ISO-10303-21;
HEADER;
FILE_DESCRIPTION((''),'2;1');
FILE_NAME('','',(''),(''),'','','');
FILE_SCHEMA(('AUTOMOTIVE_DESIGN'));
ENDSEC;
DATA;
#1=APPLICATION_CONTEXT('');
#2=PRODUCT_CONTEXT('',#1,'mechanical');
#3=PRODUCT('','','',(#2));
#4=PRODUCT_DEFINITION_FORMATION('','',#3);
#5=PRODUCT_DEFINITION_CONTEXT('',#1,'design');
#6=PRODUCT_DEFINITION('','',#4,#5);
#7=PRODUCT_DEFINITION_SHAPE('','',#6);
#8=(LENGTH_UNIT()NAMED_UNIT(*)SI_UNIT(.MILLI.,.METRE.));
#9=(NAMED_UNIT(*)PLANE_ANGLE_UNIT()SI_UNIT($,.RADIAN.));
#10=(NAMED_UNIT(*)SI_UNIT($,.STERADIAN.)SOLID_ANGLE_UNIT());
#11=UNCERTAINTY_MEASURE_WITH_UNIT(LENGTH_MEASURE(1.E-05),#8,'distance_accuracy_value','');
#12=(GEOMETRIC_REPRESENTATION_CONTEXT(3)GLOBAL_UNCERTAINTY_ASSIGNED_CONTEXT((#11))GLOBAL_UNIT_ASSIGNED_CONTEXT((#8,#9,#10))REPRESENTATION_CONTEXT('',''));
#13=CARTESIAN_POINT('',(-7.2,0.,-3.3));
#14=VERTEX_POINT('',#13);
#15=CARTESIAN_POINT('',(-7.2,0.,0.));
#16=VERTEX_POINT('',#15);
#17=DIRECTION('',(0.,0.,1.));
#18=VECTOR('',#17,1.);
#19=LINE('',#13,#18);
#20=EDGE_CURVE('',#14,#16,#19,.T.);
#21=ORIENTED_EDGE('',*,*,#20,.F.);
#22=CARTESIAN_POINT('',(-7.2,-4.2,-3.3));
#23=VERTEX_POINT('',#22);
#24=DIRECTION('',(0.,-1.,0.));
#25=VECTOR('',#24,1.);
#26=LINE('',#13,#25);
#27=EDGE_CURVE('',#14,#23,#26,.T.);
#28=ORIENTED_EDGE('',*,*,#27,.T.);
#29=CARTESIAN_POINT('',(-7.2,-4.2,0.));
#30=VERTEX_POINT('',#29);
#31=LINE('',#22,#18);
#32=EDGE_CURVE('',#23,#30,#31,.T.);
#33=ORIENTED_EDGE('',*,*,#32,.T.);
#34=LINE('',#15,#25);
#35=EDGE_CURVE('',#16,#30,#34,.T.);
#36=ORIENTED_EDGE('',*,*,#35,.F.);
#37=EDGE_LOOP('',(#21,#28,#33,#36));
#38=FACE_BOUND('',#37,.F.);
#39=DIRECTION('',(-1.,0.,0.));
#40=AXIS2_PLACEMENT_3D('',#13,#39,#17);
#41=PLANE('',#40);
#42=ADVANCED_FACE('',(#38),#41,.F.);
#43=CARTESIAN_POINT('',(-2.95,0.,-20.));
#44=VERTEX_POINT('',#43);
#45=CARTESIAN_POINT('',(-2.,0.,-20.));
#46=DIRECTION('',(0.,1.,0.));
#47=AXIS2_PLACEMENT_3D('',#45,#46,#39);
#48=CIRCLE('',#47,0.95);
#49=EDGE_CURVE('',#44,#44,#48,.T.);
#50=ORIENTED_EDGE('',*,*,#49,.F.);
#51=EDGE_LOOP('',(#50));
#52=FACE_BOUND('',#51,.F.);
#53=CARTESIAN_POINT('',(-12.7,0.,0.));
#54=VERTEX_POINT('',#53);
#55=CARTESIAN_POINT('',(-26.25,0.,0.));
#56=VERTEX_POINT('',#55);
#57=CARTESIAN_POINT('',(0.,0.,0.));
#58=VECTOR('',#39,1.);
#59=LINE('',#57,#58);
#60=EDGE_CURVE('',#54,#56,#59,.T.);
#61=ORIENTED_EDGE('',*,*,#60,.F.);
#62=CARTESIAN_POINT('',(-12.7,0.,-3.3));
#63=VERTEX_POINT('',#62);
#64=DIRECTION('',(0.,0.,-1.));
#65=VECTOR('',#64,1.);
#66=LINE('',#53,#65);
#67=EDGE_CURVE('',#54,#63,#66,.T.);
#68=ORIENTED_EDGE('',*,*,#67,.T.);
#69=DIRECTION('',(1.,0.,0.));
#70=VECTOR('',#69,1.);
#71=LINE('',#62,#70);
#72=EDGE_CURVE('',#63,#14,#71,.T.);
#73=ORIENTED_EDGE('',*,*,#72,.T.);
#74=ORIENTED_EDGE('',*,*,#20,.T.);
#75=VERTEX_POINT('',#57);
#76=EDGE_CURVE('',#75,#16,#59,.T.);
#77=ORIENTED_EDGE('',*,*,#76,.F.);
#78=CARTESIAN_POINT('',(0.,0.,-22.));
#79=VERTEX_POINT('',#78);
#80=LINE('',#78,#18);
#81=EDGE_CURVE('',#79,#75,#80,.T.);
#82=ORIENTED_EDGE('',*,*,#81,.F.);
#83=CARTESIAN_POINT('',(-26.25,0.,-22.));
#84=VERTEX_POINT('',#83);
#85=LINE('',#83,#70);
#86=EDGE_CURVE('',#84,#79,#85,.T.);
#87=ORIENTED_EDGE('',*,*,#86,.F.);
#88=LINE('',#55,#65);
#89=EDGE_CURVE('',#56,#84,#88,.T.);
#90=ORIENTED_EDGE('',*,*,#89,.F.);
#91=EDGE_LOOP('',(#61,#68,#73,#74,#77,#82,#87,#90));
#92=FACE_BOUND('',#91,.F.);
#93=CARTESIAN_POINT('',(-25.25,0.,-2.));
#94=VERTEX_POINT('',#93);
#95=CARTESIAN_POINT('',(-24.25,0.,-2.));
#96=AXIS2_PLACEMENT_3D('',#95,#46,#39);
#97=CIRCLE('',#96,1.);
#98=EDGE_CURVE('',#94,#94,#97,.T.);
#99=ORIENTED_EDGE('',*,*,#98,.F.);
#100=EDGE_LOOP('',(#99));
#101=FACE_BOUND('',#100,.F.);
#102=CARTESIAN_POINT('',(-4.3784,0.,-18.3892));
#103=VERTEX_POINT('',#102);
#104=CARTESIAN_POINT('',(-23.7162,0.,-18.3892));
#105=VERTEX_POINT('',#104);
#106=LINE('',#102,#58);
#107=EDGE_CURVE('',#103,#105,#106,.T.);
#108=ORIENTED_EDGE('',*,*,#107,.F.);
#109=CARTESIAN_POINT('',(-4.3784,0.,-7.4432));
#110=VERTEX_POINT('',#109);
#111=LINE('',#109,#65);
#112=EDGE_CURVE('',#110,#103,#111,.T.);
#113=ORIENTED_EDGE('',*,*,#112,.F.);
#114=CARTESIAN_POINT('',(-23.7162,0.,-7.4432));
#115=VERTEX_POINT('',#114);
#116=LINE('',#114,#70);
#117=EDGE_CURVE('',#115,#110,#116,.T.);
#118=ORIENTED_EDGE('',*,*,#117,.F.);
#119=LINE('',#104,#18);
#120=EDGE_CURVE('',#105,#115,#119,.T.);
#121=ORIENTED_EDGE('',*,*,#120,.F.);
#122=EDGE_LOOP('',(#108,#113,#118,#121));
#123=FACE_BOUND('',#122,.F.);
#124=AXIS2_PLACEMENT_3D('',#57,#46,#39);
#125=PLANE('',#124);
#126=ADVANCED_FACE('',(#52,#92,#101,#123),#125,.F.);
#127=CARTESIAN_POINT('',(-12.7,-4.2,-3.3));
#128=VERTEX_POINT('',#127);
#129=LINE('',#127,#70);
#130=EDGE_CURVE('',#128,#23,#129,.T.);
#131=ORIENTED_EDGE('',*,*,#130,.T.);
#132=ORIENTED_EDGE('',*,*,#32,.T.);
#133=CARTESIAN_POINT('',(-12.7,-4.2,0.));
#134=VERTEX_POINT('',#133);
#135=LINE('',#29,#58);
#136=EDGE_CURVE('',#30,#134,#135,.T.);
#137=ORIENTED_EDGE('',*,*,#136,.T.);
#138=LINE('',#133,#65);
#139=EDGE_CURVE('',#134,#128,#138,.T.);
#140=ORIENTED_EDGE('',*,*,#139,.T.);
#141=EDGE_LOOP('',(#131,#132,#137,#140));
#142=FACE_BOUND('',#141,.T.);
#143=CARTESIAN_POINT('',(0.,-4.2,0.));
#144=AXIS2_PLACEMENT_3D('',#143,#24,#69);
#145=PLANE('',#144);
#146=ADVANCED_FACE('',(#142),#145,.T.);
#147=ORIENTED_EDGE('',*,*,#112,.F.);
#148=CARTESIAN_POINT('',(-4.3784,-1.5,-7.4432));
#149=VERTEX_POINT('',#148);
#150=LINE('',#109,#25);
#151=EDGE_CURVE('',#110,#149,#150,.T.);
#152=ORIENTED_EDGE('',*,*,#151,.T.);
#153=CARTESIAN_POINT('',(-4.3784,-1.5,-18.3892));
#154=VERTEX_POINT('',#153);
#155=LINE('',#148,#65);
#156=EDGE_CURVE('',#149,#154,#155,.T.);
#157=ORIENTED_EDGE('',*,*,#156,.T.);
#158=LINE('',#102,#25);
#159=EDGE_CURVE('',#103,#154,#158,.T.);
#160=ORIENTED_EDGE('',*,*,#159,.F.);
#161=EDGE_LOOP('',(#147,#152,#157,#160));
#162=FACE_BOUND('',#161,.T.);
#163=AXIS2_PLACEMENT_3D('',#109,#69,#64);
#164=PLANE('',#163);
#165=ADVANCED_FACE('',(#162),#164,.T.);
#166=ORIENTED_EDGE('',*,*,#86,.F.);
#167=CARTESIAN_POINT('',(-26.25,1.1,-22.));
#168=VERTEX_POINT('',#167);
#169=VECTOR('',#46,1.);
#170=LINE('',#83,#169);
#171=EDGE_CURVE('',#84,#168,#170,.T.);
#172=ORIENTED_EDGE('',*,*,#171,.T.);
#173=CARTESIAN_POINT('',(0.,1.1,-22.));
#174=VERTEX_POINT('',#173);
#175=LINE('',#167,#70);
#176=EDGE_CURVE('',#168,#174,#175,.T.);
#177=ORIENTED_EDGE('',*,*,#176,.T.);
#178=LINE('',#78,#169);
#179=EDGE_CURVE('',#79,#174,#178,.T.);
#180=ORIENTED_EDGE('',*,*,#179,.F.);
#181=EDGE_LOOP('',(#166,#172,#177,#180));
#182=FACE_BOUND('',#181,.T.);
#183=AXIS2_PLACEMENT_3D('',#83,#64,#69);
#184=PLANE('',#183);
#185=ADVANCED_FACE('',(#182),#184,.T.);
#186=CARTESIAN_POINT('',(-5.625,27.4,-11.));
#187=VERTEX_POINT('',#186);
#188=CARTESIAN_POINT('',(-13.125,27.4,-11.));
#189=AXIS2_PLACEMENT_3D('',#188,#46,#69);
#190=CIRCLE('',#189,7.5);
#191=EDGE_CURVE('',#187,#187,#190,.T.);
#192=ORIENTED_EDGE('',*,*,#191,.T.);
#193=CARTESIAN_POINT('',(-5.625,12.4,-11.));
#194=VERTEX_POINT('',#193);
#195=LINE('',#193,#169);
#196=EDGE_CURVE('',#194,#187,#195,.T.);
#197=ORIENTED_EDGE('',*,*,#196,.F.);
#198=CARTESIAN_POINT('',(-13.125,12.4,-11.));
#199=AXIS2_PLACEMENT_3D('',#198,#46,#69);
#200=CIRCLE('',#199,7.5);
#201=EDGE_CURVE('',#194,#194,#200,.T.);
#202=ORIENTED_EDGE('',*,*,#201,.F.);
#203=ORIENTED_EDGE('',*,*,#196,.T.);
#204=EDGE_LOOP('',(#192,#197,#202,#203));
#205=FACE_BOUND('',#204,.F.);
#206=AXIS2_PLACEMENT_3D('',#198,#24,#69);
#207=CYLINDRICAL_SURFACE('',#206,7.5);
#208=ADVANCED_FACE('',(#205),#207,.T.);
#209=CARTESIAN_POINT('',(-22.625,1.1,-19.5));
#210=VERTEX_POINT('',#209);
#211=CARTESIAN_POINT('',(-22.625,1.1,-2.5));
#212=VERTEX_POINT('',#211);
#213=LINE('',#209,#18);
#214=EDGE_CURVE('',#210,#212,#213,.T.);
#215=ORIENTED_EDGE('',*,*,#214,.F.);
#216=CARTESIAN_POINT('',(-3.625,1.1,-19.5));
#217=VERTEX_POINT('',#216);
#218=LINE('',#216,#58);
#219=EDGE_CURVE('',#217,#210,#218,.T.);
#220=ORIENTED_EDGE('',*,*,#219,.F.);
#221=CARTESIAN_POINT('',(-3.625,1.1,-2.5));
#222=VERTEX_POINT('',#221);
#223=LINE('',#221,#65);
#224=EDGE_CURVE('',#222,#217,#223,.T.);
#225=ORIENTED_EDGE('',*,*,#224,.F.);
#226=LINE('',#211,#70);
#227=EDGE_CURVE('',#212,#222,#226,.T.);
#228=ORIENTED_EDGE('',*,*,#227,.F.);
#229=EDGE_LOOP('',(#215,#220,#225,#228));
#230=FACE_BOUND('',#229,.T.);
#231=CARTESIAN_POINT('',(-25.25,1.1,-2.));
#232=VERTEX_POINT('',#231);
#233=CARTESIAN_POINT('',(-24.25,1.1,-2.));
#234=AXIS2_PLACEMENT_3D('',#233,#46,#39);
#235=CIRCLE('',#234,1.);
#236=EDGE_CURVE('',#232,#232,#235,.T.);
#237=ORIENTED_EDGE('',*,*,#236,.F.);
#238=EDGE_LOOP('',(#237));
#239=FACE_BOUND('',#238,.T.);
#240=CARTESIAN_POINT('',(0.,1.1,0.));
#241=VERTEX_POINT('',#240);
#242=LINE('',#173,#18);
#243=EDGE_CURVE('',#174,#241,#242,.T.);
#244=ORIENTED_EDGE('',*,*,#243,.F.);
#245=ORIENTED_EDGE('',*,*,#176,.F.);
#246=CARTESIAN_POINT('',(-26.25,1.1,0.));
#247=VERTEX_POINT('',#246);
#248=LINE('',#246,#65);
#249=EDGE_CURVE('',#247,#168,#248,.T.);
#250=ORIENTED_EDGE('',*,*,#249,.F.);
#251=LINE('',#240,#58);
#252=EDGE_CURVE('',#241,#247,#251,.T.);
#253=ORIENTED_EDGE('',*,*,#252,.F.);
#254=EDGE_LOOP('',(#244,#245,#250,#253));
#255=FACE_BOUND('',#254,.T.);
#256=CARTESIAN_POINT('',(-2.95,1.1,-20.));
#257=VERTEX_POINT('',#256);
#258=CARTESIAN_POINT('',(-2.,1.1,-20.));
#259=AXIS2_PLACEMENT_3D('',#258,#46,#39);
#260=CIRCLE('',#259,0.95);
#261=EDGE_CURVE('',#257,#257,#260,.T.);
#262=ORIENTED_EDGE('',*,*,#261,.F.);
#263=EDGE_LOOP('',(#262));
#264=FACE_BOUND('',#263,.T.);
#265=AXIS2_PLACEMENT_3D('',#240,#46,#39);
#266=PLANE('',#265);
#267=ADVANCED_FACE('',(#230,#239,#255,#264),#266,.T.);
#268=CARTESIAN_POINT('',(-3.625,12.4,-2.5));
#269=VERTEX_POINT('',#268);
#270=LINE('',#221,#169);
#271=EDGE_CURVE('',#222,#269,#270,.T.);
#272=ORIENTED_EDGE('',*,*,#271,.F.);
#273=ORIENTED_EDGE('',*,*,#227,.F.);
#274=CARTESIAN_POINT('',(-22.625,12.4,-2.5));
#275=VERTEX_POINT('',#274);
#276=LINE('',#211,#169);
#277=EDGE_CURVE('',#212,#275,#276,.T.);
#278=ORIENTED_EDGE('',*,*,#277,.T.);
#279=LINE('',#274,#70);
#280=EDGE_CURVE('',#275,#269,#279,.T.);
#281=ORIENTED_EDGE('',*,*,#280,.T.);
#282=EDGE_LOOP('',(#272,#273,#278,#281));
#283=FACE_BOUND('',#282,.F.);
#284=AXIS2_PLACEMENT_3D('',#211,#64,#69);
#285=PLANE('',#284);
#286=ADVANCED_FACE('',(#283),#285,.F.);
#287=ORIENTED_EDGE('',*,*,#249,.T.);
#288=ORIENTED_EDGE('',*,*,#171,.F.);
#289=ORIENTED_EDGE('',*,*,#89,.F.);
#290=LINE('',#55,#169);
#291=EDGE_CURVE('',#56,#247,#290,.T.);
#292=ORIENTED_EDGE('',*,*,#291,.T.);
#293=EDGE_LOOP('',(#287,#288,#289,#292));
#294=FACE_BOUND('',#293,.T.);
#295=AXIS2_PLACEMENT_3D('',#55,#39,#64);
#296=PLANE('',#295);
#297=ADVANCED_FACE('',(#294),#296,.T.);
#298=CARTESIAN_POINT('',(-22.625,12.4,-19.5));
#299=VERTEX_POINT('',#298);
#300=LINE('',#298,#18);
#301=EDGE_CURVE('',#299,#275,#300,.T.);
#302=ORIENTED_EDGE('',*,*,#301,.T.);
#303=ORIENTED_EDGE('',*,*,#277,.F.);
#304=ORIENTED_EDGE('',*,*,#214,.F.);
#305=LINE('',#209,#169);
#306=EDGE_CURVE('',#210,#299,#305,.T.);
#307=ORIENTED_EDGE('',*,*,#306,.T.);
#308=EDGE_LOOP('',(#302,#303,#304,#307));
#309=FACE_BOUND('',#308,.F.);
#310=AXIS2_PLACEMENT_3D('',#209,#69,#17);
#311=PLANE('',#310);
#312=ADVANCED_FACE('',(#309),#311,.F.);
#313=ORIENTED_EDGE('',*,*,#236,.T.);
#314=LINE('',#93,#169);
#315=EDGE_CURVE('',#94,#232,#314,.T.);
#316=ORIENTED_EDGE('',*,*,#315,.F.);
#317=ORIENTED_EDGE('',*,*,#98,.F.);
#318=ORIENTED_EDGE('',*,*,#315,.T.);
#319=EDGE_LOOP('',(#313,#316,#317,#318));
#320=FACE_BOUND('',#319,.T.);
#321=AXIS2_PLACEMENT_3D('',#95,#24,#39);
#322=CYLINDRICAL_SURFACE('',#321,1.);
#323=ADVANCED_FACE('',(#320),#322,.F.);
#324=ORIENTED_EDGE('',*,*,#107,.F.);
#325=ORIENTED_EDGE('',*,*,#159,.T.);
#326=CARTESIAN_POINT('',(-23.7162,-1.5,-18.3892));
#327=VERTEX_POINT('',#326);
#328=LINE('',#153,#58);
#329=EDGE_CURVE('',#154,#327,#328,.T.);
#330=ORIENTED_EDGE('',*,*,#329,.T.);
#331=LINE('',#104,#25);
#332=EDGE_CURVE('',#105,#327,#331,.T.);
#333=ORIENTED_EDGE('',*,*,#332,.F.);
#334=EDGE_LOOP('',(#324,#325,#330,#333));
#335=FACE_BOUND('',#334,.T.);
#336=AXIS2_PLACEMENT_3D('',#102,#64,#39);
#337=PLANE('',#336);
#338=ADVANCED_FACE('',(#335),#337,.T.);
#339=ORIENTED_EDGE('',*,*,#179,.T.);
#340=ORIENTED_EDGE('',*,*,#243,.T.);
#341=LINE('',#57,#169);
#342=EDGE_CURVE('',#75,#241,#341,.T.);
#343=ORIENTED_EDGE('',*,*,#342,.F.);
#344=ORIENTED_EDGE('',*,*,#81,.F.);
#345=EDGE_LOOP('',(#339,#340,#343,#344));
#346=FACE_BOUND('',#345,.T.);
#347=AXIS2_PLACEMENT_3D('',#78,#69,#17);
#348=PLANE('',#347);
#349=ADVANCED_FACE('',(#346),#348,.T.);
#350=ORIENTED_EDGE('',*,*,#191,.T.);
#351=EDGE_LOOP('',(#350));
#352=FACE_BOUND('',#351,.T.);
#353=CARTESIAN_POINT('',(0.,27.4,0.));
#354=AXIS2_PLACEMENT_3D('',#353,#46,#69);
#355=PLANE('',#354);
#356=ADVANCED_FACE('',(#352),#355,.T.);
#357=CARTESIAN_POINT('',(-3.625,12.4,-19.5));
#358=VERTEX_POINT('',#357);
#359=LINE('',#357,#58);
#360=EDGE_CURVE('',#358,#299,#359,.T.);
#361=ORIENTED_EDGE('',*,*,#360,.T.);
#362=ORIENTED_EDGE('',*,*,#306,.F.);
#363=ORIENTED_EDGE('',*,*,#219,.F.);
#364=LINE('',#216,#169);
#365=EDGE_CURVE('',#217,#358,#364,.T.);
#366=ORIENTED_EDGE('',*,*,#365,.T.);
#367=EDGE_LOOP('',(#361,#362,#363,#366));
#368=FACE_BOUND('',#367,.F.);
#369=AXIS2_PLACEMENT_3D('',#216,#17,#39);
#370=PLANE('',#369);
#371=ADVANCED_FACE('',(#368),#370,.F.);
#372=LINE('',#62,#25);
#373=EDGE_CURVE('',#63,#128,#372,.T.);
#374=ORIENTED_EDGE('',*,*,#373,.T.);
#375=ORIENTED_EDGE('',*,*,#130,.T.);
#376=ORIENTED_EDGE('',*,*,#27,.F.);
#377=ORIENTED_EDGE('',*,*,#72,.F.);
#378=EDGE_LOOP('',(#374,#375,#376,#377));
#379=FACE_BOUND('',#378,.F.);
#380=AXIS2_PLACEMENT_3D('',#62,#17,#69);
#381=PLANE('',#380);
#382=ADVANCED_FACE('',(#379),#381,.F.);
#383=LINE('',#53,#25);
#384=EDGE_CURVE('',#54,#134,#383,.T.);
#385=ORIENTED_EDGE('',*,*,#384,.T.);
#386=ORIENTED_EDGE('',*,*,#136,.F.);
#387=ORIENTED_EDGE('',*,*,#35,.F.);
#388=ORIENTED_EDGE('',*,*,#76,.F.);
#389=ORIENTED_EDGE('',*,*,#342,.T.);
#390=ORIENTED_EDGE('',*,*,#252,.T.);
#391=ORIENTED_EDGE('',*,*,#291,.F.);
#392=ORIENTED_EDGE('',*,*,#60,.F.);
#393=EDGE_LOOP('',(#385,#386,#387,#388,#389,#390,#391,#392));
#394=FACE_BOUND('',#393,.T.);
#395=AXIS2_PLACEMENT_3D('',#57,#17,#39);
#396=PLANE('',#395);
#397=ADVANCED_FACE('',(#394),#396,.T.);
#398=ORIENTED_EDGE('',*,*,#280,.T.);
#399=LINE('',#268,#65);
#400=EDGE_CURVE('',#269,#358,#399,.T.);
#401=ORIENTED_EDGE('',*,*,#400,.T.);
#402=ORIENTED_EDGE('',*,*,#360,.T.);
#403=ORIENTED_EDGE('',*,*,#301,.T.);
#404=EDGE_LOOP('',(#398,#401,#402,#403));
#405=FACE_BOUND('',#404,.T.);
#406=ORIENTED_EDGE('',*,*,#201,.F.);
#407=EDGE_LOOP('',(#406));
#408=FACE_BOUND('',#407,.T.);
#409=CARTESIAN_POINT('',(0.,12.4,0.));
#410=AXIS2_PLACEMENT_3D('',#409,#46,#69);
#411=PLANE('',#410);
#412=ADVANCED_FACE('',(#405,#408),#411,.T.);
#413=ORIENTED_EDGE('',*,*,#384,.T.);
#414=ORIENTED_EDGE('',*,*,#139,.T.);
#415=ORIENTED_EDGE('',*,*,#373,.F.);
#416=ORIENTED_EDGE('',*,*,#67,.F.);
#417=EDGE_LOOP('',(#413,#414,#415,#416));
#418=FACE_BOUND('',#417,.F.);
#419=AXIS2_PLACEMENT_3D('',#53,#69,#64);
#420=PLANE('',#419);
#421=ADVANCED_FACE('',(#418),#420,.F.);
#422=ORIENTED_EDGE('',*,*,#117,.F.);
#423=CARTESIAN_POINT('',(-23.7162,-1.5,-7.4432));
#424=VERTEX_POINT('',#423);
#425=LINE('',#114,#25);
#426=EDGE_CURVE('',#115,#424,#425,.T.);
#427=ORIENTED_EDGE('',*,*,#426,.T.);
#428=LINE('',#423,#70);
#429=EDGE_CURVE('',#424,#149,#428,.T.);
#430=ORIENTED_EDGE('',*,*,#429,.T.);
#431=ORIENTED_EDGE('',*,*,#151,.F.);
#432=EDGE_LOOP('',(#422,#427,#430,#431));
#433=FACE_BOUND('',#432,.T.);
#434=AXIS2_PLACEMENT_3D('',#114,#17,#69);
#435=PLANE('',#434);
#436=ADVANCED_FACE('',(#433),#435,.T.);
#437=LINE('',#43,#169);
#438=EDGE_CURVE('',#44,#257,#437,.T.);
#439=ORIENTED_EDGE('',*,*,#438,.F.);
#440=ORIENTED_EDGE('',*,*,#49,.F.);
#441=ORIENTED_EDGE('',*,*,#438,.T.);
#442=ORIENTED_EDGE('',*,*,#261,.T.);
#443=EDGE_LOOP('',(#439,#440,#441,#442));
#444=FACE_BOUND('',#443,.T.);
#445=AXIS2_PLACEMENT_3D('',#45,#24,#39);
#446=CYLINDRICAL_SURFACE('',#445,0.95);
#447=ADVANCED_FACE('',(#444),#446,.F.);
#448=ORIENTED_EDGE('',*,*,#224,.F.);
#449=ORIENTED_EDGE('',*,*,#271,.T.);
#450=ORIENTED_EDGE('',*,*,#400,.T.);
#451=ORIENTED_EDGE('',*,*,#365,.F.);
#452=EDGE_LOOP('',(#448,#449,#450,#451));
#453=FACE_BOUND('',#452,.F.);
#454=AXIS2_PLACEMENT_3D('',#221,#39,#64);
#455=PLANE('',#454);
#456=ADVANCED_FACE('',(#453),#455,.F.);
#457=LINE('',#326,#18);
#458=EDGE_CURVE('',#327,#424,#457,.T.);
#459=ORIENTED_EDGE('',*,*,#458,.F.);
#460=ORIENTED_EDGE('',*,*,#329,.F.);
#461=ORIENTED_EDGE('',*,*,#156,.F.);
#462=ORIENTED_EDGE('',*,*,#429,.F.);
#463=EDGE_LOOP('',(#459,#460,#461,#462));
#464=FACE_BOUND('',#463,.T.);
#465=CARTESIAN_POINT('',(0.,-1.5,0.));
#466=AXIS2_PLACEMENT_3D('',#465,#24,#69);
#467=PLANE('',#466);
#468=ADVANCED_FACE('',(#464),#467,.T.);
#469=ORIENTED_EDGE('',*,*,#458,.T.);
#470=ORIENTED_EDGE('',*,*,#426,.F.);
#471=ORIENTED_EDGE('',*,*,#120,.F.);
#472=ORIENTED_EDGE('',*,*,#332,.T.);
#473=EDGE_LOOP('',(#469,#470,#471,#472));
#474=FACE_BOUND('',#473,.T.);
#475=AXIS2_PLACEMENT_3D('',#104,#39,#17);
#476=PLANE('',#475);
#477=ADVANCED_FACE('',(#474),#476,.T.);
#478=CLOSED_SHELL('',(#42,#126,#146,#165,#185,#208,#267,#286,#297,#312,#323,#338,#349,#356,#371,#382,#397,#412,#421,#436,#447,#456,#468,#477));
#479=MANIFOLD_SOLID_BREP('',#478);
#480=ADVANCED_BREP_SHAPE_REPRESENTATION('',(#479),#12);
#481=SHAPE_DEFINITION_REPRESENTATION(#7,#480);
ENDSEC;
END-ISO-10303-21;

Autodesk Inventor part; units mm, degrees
ref_plane "YZ Plane" through (0, 0, 0) normal (1, 0, 0) x (0, 1, 0)
ref_plane "XZ Plane" through (0, 0, 0) normal (0, 1, 0) x (-1, 0, 0)
ref_plane "XY Plane" through (0, 0, 0) normal (0, 0, 1) x (1, 0, 0)
sketch "Sketch1" plane through (0, 0, 0) normal (0, 1, 0) x (-1, 0, 0)
  line L0 (0, 0) -> (26.25, 0)
  line L1 (26.25, 0) -> (26.25, -22)
  line L2 (26.25, -22) -> (0, -22)
  line L3 (0, -22) -> (0, 0)
  circle A0 centre (2, -20) radius 0.95
  circle A1 centre (24.25, -2) radius 1
  dimension "d0" = 26.25
  dimension "d1" = 22
  dimension "d3" = 1.9
  dimension "d6" = 2
  dimension "d18" = 2
  dimension "d19" = 2
  dimension "d20" = 2
  dimension "d21" = 2
extrude "Extrusion1" add sketch "Sketch1" along normal blind 1.1
sketch "Sketch2" plane through (0, 1.1, 0) normal (0, 1, 0) x (1, 0, 0)
  line L0 (0, 22) -> (-26.25, 22) projected
  line L1 (0, 0) -> (0, 22) projected
  line L2 (-22.625, 2.5) -> (-3.625, 2.5)
  line L3 (-3.625, 2.5) -> (-3.625, 19.5)
  line L4 (-3.625, 19.5) -> (-22.625, 19.5)
  line L5 (-22.625, 19.5) -> (-22.625, 2.5)
  line L6 (-22.625, 2.5) -> (-3.625, 19.5) construction
  line L7 (-3.625, 2.5) -> (-22.625, 19.5) construction
  point P0 (-13.125, 22)
  point P1 (0, 11)
  point P2 (-13.125, 11)
  point P3 (0, 11)
  point P4 (-13.125, 11)
  point P5 (-13.125, 22)
  point P6 (-13.125, 11)
  dimension "d11" = 19
  dimension "d12" = 17
extrude "Extrusion2" add sketch "Sketch2" along normal blind 11.3
sketch "Sketch3" plane through (0, 12.4, 0) normal (0, 1, 0) x (1, 0, 0)
  line L0 (-3.625, 2.5) -> (-3.625, 19.5) construction
  line L1 (-3.625, 19.5) -> (-22.625, 19.5) construction
  line L2 (-22.625, 19.5) -> (-22.625, 2.5) construction
  line L3 (-22.625, 2.5) -> (-3.625, 2.5) construction
  line L4 (-3.625, 19.5) -> (-3.625, 2.5) construction
  circle A0 centre (-13.125, 11) radius 7.5
  point P0 (0, 0)
  point P1 (-13.125, 19.5)
  point P2 (-3.625, 11)
  dimension "d15" = 15
extrude "Extrusion3" add sketch "Sketch3" along normal blind 15
sketch "Sketch4" plane through (0, 0, 0) normal (0, -1, 0) x (1, 0, 0)
  line L0 (-7.2, 0) -> (-12.7, 0)
  line L1 (-12.7, 0) -> (-12.7, -3.3)
  line L2 (-12.7, -3.3) -> (-7.2, -3.3)
  line L3 (-7.2, -3.3) -> (-7.2, 0)
  line L4 (0, 0) -> (-26.25, 0) projected
  circle A0 centre (-2, -20) radius 0.95 projected
  dimension "d22" = 5.5
  dimension "d23" = 3.3
  dimension "d28" = 5.2
extrude "Extrusion4" add sketch "Sketch4" along normal blind 4.2 contours L3 L2 L1 L0
sketch "Sketch5" plane through (0, 0, 0) normal (0, -1, 0) x (1, 0, 0)
  line L0 (-4.3784, -18.3892) -> (-23.7162, -18.3892)
  line L1 (-23.7162, -18.3892) -> (-23.7162, -7.4432)
  line L2 (-23.7162, -7.4432) -> (-4.3784, -7.4432)
  line L3 (-4.3784, -7.4432) -> (-4.3784, -18.3892)
  point P0 (0, 0)
extrude "Extrusion5" add sketch "Sketch5" along normal blind 1.5
properties part number "camera_prz"
